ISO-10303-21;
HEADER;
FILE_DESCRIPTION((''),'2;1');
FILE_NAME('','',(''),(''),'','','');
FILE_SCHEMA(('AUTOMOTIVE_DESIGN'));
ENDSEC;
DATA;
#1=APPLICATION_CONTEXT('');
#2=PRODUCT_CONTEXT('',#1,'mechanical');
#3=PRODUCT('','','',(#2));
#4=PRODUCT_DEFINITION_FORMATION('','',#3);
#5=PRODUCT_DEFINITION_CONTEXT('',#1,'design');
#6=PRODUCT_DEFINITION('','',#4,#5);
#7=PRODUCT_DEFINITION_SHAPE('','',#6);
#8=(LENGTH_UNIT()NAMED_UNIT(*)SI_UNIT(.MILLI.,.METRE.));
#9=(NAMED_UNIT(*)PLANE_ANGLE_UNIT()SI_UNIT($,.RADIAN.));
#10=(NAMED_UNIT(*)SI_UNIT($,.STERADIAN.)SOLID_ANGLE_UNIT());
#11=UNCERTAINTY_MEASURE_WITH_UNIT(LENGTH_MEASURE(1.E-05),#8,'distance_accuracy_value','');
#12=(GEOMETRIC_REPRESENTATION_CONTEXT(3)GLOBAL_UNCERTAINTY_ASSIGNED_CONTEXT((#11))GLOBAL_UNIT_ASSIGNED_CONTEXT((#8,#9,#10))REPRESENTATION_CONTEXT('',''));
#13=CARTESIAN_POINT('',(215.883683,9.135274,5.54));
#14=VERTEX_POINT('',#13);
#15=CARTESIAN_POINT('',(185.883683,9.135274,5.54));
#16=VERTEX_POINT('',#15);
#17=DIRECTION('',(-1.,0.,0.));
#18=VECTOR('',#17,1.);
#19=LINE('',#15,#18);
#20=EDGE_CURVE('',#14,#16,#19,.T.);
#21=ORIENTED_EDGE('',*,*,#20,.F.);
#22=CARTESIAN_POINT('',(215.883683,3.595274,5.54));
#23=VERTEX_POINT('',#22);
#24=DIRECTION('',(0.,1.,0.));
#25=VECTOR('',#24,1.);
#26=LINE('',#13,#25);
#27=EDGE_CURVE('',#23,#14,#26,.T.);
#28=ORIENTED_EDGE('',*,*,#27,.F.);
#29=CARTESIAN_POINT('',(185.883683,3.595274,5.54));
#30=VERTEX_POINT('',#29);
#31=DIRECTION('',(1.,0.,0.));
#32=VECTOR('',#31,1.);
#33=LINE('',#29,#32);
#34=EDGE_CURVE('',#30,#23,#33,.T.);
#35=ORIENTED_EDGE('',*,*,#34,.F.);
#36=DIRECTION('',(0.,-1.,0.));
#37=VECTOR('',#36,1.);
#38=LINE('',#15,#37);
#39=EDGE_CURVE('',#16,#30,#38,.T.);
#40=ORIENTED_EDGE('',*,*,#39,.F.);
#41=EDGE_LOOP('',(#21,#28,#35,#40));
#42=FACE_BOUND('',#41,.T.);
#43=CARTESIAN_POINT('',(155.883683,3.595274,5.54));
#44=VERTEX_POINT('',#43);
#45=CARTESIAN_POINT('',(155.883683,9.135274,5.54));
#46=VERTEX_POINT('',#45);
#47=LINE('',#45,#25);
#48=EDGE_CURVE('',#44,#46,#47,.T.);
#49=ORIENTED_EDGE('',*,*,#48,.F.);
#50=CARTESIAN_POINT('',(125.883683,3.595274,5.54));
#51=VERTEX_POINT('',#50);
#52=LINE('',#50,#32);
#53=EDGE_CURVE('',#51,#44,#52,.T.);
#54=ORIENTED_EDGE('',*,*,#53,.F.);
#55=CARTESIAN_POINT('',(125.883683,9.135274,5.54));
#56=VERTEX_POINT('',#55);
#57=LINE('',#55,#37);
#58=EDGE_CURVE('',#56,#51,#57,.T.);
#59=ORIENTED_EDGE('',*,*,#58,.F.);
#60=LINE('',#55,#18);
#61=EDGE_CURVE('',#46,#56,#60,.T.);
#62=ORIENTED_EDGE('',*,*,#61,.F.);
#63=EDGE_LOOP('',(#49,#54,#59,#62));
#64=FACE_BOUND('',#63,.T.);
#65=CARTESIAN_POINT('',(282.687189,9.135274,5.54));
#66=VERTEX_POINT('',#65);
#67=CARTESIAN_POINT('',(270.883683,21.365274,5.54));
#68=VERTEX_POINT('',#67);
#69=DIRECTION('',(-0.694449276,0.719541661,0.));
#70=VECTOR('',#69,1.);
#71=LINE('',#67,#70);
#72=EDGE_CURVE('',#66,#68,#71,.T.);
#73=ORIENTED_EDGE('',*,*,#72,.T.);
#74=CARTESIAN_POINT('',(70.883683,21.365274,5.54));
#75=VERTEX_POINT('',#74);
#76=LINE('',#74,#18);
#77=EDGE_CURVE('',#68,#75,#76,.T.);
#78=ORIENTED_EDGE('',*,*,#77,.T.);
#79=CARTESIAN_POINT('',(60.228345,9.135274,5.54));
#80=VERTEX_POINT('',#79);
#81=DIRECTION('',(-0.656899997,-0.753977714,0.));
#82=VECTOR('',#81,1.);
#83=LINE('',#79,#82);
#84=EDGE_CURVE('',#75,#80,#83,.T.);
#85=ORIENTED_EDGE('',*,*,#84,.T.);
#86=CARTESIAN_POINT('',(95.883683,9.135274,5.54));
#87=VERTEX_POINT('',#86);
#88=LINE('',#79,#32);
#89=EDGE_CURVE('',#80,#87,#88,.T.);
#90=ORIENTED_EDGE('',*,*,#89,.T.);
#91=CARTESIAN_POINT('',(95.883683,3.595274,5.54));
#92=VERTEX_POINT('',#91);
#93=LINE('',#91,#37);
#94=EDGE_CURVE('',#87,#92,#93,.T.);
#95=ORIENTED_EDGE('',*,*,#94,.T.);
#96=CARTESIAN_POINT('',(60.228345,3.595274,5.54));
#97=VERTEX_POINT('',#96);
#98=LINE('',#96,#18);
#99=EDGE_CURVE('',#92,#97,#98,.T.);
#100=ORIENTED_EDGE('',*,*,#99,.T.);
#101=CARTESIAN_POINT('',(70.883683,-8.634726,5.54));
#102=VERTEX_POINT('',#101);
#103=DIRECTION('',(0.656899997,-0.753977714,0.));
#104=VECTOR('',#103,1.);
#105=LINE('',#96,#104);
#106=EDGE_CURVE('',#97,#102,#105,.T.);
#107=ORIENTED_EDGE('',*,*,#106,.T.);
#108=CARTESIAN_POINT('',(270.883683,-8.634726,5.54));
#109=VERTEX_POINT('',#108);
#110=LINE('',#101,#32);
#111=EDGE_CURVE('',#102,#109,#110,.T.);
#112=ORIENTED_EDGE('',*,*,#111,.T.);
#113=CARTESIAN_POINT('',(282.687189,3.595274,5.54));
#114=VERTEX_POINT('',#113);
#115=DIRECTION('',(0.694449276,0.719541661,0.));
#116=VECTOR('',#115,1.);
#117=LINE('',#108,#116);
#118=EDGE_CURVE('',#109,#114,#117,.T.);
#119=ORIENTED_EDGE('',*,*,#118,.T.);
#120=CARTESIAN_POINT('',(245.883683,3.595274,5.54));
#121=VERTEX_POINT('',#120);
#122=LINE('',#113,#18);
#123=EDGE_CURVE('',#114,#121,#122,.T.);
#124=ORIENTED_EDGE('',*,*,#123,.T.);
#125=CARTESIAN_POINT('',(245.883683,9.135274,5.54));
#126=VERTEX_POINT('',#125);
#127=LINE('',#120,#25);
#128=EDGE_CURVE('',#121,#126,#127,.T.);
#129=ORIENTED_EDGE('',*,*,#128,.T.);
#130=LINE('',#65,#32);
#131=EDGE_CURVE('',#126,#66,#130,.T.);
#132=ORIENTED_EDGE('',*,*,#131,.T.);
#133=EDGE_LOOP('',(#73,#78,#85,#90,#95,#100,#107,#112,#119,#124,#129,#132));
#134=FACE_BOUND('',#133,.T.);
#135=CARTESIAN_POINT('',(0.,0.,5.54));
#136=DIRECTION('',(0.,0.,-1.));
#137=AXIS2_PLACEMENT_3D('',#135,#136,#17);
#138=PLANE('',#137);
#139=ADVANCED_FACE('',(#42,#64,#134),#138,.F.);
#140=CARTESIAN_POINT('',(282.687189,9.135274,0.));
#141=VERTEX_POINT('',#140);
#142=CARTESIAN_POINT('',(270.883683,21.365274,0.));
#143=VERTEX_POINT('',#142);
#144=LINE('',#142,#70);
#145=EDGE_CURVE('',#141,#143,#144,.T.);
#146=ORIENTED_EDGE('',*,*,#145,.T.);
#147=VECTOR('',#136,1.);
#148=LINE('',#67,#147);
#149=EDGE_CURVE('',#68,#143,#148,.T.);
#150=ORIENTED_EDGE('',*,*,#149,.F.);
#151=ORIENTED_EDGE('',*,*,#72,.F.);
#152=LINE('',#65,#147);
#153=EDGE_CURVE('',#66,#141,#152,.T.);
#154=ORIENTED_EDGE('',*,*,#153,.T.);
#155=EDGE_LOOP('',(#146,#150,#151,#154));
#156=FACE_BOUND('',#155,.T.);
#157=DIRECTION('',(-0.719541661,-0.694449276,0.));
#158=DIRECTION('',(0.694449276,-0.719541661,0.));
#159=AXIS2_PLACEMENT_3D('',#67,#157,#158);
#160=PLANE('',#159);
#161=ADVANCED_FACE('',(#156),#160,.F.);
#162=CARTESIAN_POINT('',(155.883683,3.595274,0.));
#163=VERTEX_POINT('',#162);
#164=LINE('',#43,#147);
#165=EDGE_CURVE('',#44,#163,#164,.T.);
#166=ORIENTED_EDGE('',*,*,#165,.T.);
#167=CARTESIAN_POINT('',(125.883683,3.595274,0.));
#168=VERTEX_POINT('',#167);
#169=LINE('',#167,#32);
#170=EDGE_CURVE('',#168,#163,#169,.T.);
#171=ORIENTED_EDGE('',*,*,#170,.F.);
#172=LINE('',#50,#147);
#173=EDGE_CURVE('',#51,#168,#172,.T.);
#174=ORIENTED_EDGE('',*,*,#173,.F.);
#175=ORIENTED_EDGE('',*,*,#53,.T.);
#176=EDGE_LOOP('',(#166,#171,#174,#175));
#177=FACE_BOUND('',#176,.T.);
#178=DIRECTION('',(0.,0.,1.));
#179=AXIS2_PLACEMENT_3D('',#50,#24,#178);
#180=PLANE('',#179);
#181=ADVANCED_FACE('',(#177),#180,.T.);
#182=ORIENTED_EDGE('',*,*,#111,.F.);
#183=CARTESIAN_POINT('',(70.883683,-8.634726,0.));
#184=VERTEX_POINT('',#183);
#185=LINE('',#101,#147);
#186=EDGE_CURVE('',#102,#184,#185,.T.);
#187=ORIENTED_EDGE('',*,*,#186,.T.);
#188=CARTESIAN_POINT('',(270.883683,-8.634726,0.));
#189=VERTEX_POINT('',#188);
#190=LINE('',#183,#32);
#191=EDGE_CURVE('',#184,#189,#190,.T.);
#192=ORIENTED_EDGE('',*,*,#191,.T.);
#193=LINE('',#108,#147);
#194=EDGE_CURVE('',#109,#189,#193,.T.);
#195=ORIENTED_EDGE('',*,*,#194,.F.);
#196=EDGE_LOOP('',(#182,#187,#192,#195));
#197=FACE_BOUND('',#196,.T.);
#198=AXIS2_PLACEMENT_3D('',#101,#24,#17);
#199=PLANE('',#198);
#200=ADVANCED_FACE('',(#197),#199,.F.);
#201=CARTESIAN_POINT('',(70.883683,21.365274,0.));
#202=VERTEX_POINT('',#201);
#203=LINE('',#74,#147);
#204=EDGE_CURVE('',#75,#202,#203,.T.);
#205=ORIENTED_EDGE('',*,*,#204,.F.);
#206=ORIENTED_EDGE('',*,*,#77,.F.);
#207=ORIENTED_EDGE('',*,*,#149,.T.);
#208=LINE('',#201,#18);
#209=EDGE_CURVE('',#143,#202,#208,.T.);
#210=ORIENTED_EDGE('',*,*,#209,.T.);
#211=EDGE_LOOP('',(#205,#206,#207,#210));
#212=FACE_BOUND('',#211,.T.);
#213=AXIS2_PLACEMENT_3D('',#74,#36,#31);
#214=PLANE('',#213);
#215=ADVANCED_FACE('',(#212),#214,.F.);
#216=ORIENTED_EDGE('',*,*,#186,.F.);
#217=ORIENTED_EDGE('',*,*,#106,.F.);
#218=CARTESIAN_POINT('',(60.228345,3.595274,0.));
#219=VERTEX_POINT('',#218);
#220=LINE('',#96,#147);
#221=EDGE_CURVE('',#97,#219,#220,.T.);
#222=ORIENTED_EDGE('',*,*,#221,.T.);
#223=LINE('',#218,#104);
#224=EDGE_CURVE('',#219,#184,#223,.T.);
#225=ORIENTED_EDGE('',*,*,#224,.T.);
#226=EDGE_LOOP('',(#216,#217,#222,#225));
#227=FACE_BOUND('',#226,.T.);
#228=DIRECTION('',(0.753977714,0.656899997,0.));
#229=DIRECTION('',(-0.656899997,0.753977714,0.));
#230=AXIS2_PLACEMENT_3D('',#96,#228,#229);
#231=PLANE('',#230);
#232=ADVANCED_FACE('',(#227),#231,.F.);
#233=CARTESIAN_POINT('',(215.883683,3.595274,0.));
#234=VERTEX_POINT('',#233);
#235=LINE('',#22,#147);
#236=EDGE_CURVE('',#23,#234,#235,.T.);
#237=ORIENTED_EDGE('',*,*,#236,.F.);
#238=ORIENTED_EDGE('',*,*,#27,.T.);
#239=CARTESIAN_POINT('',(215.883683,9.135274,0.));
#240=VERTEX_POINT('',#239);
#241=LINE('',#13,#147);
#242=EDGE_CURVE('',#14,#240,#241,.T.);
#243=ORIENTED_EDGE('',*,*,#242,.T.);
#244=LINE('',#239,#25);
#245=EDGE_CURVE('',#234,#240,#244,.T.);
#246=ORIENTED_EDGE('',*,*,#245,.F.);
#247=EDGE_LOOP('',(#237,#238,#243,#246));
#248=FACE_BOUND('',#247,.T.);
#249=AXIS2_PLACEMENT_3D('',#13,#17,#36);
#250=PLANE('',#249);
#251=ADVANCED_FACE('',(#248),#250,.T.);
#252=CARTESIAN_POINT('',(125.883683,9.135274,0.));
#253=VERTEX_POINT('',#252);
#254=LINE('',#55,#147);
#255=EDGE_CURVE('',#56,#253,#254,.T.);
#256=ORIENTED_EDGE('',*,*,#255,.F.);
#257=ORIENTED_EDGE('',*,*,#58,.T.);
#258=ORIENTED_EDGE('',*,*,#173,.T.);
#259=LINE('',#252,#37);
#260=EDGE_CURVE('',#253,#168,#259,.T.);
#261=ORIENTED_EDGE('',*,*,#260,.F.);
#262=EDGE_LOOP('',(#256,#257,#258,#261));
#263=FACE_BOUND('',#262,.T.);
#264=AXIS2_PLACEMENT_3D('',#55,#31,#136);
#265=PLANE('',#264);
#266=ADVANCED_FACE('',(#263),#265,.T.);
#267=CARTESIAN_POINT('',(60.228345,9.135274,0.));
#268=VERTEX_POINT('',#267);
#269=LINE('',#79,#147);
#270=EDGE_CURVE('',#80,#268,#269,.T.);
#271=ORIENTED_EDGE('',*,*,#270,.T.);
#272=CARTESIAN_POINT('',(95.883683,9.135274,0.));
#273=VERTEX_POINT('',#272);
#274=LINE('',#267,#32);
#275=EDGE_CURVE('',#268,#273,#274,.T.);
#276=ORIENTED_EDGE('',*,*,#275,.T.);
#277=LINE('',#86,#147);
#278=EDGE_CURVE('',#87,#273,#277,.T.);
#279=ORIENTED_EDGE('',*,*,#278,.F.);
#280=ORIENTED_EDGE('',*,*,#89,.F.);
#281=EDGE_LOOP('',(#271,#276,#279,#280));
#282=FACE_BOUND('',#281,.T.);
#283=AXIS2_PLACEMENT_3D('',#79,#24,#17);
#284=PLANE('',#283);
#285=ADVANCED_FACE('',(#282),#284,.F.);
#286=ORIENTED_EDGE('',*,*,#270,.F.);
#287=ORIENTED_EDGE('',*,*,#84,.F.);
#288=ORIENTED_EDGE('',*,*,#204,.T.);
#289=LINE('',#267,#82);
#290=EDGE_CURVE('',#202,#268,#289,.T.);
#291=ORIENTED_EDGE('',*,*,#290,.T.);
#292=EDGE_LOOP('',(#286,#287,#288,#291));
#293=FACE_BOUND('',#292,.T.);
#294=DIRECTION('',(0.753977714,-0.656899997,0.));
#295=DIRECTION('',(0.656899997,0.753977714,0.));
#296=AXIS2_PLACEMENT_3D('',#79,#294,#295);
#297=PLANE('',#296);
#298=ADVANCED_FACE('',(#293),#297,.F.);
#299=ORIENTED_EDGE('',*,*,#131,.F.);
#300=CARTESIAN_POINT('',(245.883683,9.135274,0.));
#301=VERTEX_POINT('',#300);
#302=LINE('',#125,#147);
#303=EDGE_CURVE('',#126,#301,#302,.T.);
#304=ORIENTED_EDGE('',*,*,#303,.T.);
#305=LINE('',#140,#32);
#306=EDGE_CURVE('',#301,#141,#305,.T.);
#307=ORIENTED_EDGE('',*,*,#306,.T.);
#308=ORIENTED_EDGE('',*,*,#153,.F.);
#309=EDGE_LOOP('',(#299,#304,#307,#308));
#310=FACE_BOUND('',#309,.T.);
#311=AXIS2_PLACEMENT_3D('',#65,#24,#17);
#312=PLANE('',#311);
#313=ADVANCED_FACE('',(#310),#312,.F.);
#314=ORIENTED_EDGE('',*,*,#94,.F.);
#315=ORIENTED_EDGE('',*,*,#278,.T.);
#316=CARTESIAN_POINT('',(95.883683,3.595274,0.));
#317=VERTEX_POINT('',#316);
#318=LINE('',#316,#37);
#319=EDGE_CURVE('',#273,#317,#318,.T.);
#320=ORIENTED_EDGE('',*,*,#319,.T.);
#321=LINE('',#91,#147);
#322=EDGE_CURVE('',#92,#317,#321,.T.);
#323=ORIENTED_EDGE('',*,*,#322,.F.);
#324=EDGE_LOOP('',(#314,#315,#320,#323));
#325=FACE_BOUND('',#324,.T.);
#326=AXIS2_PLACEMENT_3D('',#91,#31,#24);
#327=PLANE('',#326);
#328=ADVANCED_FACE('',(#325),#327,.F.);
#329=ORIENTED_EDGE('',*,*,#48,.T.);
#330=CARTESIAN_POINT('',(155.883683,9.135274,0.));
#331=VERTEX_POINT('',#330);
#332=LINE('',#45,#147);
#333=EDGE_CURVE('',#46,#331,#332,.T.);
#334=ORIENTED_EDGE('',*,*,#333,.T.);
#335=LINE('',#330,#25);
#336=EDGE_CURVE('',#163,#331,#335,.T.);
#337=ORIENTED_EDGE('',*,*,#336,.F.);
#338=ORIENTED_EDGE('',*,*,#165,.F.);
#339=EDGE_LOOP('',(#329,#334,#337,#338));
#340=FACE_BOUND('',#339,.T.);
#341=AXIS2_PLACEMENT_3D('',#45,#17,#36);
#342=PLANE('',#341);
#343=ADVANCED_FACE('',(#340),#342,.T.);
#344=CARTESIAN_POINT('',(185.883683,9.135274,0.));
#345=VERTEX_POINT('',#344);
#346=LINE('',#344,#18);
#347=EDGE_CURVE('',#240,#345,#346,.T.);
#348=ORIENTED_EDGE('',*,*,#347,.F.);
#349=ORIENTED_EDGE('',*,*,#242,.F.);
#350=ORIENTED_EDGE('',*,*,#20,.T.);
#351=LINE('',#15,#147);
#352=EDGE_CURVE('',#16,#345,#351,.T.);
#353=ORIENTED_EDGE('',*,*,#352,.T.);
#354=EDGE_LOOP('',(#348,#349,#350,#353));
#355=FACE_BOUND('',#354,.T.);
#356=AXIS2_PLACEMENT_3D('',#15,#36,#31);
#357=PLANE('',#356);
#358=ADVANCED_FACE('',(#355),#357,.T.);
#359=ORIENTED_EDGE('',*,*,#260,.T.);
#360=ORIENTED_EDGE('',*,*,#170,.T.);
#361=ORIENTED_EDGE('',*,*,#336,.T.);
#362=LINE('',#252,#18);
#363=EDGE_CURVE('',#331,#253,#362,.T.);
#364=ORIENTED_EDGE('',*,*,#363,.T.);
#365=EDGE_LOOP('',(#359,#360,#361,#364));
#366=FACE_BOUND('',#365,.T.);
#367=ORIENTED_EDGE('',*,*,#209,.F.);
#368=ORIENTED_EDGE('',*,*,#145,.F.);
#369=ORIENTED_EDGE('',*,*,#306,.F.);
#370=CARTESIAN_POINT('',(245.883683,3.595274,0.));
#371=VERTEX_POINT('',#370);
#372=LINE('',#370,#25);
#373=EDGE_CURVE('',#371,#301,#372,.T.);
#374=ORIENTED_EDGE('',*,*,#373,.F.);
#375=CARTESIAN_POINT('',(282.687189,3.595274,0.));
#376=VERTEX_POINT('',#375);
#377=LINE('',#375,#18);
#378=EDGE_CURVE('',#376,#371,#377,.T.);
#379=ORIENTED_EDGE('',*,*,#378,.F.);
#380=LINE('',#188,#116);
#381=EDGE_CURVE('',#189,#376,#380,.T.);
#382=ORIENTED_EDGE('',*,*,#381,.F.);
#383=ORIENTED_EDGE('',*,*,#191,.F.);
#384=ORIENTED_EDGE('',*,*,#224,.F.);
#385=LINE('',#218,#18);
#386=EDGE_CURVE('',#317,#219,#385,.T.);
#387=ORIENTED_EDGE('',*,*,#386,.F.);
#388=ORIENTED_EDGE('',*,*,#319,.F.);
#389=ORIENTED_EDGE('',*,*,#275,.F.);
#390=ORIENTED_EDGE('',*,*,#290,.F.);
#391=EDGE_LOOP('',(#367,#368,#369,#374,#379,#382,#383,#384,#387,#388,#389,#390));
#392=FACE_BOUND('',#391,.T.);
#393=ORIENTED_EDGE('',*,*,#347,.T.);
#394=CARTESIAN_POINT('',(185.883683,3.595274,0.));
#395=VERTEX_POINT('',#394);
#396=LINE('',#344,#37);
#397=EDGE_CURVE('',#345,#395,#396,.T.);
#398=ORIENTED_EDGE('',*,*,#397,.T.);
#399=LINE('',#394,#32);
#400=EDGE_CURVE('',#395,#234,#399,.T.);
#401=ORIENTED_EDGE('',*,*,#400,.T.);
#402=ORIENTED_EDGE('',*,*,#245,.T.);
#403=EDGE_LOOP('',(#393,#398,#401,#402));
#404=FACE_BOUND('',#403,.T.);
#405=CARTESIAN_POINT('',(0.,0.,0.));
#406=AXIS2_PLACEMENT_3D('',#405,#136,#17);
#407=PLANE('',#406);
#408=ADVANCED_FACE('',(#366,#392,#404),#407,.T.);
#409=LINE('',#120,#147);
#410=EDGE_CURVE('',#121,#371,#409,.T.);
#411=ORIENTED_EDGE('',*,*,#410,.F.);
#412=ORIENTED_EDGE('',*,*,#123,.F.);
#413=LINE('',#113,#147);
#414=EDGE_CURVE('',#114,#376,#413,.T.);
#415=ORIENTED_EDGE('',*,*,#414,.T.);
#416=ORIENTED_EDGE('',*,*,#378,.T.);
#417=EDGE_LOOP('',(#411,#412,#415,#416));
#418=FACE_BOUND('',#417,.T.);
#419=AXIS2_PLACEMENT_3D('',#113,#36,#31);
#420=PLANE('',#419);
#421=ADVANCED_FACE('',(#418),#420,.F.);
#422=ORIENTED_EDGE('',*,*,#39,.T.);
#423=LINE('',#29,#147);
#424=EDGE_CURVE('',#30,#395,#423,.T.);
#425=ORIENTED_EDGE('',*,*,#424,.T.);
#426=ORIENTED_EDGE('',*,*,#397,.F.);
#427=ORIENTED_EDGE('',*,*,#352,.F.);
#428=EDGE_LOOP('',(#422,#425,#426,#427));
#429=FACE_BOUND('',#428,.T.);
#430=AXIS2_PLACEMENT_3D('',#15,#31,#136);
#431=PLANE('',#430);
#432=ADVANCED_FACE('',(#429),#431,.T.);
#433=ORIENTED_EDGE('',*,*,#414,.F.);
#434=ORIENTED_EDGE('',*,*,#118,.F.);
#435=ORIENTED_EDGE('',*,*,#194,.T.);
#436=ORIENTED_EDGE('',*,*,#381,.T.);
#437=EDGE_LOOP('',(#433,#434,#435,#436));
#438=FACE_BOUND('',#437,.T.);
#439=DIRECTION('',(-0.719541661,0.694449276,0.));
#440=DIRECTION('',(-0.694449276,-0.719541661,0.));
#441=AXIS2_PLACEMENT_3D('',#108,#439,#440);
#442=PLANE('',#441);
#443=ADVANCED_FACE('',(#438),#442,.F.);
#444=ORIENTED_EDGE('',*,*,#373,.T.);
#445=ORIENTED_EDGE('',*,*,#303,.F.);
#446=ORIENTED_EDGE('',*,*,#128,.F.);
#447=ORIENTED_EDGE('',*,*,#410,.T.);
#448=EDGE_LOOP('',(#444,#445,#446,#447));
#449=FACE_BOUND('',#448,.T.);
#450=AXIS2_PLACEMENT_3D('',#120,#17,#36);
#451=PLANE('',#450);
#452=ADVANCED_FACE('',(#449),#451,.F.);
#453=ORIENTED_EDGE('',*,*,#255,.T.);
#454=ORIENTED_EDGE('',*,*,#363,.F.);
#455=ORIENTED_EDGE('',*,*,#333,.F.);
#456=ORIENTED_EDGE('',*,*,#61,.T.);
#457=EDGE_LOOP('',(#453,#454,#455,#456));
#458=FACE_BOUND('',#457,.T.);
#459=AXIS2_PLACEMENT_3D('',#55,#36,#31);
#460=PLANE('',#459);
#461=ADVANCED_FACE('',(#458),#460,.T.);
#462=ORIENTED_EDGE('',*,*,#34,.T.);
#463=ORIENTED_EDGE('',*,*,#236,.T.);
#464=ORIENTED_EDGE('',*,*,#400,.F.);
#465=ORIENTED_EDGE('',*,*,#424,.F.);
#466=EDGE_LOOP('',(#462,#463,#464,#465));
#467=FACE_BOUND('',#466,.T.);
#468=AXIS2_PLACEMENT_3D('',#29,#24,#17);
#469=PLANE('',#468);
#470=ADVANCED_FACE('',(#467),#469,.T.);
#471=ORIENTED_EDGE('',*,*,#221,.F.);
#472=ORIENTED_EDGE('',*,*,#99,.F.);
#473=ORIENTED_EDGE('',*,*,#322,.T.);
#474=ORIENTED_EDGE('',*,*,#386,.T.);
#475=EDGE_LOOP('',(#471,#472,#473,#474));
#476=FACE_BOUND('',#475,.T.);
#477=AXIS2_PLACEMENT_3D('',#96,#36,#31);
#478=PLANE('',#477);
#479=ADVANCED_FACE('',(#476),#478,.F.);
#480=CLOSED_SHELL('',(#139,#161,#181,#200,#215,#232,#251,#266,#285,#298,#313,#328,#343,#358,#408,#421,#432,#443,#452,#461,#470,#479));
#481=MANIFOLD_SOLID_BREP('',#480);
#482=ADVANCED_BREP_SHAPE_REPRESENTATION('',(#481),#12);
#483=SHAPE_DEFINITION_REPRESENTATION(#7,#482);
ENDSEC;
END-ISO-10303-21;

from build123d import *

# Parameters (mm, degrees)
SKETCH2_W           = 30
SKETCH2_H           = 5.54
BOSS_EXTRUDE1_DEPTH = 5.54


with BuildPart() as part:
    # Sketch2 → Boss-Extrude1 (new body)
    with BuildSketch(Plane.XY):
        Polygon((70.883682838, 21.365273538), (270.883682838, 21.365273538), (282.687189303, 9.135273538), (245.883682838, 9.135273538), (245.883682838, 3.595273538), (282.687189303, 3.595273538), (270.883682838, -8.634726462), (70.883682838, -8.634726462), (60.2283454, 3.595273538), (95.883682838, 3.595273538), (95.883682838, 9.135273538), (60.2283454, 9.135273538), align=None)
        with Locations((200.883682838, 6.365273538)):
            Rectangle(SKETCH2_W, SKETCH2_H, mode=Mode.SUBTRACT)
        with Locations((140.883682838, 6.365273538)):
            Rectangle(SKETCH2_W, SKETCH2_H, mode=Mode.SUBTRACT)
    extrude(amount=BOSS_EXTRUDE1_DEPTH)


solid = part.part
